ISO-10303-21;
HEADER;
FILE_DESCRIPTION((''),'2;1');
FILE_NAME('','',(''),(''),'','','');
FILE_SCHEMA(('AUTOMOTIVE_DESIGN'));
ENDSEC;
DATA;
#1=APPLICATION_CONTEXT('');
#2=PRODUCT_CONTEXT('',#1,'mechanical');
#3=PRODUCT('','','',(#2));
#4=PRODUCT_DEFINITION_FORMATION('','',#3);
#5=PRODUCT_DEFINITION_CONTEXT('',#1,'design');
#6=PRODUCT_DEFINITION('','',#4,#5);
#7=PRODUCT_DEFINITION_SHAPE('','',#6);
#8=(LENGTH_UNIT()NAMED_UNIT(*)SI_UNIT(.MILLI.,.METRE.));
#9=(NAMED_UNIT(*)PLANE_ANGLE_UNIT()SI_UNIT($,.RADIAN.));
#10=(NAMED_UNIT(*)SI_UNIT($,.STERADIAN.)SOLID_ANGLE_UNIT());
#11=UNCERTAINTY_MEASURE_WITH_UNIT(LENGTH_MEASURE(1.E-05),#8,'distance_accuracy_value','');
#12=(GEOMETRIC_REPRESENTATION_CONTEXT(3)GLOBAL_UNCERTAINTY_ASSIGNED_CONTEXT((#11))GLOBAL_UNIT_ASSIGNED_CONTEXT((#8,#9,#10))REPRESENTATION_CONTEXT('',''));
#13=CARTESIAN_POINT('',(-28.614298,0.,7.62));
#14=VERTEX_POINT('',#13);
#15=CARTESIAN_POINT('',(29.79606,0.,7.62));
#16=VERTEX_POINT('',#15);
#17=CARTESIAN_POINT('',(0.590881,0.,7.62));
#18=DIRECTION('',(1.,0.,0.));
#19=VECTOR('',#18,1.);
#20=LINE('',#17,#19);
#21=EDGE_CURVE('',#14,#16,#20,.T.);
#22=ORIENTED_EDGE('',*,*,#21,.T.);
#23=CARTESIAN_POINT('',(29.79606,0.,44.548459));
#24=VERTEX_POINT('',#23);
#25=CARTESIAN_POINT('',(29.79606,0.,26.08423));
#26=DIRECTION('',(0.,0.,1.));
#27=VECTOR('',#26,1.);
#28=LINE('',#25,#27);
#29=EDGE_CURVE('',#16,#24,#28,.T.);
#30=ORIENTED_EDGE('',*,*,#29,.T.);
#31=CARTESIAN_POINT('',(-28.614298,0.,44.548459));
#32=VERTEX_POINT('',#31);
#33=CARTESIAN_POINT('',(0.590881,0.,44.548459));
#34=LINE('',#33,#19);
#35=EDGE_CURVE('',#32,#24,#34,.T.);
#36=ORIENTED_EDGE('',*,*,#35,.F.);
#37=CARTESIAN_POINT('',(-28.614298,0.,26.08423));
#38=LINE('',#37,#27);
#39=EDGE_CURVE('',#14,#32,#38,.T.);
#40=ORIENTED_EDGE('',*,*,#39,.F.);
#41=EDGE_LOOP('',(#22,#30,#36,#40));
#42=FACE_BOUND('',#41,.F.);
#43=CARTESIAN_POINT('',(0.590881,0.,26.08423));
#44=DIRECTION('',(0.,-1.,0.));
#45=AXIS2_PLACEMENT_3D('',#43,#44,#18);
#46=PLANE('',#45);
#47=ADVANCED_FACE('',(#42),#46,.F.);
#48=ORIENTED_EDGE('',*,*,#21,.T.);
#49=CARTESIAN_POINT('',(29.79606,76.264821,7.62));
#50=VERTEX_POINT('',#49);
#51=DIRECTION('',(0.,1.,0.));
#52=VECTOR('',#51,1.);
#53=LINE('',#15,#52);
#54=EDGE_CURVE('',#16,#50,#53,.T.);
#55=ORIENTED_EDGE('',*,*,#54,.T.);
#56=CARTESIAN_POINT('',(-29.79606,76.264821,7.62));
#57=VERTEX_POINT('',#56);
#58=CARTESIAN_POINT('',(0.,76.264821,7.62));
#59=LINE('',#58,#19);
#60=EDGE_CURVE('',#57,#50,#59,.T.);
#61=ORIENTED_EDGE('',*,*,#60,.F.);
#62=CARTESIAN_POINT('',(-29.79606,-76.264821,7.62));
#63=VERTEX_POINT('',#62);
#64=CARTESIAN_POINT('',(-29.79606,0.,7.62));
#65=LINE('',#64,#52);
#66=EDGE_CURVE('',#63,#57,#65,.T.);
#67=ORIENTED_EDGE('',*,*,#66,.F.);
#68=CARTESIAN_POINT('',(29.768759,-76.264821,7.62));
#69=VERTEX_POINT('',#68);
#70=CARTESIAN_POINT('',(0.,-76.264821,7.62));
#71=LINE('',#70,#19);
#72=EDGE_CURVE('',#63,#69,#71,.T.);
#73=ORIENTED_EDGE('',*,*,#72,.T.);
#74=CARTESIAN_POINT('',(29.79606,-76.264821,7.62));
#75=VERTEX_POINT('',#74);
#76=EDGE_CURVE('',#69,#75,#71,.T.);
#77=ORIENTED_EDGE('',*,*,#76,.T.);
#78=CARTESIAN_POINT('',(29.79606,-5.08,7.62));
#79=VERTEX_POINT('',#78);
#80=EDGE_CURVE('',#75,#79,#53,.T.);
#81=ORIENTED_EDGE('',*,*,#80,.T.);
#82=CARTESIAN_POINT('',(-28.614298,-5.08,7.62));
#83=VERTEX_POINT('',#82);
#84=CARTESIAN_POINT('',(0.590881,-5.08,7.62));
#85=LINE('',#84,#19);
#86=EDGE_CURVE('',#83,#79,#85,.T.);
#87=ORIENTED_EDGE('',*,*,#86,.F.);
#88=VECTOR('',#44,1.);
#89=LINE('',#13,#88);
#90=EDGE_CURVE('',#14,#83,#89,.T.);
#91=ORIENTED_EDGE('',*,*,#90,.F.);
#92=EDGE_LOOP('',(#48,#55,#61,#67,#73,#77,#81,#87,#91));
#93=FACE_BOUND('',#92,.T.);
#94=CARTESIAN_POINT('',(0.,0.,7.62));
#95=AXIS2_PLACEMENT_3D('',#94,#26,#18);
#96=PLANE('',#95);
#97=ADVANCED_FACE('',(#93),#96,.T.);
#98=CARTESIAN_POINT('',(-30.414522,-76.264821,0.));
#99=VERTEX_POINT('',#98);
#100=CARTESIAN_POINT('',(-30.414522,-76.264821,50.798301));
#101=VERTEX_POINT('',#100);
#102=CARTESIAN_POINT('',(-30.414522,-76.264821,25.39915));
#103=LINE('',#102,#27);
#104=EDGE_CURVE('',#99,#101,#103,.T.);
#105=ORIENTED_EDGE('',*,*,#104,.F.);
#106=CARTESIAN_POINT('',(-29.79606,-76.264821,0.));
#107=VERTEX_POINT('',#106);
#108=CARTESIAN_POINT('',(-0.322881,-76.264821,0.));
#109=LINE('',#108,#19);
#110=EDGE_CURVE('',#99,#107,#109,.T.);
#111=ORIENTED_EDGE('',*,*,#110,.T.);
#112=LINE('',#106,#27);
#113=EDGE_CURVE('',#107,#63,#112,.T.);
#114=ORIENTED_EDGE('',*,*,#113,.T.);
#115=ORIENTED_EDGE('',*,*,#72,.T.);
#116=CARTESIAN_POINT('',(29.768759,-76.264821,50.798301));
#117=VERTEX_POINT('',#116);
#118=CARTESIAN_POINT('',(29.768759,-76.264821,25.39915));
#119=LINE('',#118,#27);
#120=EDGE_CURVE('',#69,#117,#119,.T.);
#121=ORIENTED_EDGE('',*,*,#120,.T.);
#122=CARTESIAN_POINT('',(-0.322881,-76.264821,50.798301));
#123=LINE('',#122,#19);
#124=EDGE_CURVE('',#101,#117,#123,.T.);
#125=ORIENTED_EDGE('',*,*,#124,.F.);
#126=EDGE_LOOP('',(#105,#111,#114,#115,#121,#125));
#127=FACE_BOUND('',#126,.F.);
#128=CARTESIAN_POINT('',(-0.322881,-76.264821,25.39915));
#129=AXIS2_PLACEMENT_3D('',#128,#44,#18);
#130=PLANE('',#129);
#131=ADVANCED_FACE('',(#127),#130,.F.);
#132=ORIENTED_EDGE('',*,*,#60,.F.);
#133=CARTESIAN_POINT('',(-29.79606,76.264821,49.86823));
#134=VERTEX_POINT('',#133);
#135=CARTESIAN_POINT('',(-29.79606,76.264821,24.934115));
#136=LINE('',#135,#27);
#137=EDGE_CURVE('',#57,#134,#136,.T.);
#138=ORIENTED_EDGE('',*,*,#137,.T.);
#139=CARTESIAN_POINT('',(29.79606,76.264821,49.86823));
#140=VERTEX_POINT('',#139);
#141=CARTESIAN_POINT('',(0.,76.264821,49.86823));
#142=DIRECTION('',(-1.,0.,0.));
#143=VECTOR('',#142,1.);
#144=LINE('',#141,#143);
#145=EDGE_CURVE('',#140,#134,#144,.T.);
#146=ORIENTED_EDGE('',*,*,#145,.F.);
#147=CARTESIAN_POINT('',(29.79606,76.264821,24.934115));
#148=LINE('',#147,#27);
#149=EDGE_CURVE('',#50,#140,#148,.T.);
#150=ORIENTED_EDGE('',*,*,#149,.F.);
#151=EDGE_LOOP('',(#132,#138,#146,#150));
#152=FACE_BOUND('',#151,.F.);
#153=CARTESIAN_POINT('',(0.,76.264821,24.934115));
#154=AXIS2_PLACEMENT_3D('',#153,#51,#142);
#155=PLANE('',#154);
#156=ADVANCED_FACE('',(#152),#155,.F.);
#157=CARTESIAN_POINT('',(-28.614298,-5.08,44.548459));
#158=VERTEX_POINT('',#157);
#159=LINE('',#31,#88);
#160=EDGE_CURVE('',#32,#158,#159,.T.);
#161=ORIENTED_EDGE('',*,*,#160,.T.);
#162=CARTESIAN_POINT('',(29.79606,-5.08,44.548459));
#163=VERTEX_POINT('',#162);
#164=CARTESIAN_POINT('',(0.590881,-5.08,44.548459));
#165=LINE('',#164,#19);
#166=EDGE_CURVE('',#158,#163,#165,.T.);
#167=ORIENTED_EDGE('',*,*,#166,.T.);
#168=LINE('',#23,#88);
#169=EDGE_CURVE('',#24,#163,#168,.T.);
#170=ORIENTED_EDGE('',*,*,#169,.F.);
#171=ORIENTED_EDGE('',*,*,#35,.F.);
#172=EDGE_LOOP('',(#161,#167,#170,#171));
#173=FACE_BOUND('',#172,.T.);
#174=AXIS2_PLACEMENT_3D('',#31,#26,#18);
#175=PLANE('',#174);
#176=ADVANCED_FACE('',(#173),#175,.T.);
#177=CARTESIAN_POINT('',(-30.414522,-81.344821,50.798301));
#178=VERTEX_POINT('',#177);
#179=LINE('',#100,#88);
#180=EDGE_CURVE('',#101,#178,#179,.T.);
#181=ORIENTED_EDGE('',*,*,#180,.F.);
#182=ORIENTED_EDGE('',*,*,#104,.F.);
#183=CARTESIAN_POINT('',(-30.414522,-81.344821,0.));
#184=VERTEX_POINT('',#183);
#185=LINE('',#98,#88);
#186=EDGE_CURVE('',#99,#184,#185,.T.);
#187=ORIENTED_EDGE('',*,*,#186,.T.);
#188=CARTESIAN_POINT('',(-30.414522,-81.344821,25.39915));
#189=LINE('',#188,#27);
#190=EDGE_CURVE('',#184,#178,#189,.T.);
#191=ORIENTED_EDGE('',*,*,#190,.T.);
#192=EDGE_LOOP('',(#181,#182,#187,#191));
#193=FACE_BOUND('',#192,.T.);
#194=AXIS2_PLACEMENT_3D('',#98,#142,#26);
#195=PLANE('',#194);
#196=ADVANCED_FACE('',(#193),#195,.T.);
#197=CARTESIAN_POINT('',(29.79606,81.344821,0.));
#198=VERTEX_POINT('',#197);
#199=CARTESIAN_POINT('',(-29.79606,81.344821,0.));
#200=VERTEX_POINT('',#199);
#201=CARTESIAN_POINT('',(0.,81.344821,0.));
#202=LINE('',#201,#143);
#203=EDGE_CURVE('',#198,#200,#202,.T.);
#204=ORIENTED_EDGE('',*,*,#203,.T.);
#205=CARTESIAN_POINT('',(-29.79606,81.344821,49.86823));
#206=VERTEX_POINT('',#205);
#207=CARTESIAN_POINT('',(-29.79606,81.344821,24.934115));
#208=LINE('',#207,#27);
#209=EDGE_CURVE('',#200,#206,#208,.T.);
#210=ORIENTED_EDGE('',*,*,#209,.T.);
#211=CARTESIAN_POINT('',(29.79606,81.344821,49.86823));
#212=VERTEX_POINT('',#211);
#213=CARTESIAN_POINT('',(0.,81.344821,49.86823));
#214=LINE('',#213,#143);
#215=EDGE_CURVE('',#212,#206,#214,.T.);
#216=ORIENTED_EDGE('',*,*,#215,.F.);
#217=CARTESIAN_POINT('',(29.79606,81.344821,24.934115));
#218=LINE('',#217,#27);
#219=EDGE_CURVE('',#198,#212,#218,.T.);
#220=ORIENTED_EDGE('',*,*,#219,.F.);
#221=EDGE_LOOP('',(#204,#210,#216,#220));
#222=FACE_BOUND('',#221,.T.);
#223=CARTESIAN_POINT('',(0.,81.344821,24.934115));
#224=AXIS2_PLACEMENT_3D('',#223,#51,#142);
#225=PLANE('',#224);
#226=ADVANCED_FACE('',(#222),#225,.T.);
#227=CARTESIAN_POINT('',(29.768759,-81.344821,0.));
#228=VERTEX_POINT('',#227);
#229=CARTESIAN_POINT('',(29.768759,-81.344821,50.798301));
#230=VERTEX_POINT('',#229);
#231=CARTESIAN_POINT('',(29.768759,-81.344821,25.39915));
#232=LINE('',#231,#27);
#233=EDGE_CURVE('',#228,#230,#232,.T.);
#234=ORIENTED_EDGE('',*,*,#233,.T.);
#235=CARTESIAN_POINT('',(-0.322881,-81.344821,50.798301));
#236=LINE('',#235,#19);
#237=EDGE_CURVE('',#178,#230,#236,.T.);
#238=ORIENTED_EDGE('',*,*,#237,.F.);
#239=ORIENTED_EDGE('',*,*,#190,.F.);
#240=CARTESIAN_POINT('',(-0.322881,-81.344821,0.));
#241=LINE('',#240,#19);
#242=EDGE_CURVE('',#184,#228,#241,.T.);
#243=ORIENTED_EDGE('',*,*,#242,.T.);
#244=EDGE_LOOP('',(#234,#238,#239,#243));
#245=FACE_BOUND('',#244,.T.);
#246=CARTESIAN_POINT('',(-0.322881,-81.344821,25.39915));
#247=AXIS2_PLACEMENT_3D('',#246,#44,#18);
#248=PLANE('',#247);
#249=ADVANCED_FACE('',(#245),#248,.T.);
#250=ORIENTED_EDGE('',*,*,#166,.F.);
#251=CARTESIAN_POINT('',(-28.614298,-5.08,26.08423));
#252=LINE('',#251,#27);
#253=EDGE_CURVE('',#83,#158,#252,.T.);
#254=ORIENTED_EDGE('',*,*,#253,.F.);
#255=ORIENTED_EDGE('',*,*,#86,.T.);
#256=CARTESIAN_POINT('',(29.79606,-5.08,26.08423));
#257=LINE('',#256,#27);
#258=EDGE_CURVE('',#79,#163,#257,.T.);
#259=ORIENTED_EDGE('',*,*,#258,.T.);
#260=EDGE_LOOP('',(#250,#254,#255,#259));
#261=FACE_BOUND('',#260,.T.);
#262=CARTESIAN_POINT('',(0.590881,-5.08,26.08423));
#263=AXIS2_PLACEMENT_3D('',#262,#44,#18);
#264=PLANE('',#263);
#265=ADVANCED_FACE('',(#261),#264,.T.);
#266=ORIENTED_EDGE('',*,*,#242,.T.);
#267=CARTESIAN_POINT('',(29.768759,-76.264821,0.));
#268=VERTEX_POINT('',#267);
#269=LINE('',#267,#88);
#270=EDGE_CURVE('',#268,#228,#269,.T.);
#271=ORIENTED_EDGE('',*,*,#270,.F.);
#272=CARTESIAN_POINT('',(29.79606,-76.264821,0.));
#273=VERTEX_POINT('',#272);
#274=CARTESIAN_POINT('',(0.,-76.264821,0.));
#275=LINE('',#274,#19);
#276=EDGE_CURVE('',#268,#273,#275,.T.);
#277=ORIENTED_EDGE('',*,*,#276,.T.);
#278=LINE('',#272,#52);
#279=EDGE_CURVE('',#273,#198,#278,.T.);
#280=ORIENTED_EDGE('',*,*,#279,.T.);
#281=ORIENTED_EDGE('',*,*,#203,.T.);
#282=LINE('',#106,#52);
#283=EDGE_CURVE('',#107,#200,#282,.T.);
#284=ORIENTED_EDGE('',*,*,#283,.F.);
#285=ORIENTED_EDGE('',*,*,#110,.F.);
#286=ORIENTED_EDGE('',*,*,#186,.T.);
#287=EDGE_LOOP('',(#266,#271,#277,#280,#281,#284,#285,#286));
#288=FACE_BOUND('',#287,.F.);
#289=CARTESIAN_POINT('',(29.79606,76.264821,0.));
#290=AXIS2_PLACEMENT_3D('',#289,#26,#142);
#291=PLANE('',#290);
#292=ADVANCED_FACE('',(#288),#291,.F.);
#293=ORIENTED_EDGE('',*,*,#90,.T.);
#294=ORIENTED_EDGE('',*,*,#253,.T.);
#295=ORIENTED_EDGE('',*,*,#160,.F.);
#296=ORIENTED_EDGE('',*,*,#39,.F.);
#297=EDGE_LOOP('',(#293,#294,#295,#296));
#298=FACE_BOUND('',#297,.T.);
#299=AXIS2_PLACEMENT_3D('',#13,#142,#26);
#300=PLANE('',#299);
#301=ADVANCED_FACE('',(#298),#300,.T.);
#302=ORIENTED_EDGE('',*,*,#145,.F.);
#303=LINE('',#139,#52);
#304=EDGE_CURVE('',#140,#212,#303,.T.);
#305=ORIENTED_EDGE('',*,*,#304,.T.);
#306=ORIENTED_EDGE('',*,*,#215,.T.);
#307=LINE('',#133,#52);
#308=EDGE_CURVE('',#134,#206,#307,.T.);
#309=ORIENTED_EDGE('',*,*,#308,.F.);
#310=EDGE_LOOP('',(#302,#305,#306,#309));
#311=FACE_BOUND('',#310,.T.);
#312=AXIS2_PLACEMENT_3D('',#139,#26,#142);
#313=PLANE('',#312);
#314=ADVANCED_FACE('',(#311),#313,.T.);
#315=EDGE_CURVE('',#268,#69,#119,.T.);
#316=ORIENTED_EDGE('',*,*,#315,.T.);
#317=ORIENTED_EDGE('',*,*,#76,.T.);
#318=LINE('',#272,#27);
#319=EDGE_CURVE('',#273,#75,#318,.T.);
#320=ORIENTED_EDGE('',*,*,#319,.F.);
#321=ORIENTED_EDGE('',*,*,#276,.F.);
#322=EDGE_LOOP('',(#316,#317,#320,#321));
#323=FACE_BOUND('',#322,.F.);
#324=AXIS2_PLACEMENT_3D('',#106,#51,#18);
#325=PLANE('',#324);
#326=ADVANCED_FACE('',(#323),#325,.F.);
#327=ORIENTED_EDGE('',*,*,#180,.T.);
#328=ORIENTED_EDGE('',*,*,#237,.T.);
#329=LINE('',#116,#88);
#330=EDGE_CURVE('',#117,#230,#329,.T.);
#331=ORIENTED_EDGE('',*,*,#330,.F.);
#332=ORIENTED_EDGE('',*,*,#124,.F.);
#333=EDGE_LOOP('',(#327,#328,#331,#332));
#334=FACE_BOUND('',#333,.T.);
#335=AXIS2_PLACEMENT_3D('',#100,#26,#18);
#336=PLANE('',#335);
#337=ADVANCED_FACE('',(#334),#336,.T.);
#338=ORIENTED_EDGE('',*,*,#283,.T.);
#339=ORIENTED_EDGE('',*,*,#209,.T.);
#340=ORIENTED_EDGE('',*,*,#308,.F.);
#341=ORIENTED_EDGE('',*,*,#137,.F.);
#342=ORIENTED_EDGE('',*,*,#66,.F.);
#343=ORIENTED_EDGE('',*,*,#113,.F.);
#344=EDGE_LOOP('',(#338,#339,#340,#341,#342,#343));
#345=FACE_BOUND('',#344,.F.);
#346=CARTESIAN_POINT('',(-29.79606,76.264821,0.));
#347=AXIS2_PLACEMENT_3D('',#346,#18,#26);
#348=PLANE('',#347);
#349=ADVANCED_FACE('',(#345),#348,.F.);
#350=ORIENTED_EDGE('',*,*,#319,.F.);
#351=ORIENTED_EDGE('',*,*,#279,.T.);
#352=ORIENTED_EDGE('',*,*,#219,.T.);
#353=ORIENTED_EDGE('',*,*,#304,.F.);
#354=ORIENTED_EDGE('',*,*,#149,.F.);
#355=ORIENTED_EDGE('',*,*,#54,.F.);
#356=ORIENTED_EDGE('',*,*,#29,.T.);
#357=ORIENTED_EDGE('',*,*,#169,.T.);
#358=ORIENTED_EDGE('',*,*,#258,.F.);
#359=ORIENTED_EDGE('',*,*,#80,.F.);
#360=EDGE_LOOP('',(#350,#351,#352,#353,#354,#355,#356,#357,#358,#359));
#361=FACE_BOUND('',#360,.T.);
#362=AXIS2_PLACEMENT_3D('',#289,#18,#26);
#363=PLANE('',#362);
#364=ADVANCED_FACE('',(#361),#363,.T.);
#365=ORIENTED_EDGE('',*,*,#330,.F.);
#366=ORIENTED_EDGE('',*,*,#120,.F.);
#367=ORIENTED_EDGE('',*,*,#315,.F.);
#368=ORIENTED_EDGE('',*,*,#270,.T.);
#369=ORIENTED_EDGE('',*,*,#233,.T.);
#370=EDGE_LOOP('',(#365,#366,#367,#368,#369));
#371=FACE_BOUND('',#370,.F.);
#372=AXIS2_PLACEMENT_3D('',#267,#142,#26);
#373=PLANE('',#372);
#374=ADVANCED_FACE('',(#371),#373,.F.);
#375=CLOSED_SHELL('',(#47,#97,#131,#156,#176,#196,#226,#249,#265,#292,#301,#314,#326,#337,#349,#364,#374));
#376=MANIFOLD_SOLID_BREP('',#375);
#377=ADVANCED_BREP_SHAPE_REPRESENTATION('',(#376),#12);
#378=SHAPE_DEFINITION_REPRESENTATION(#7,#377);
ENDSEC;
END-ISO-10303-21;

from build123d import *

# Parameters (mm, degrees)
F0_W     = 59.5921203494
F0_H     = 152.5296419859
F1_DEPTH = 7.62
F3_W     = 60.1832810789
F3_H     = 50.7983006537
F4_DEPTH = 5.08
F5_W     = 58.4103576839
F5_H     = 36.9284590706
F6_DEPTH = 5.08
F7_W     = 59.5921203494
F7_H     = 49.8682297766
F8_DEPTH = 5.08


with BuildPart() as f1:
    # F0 (on Top) → F1 (new body)
    with BuildSketch(Plane.XY):
        Rectangle(F0_W, F0_H)
    extrude(amount=F1_DEPTH)

    # F3 (on offset) → F4 (join)
    with BuildSketch(Plane.XZ.offset(76.2648209929)):
        with Locations((-0.3228811547, 25.3991503268)):
            Rectangle(F3_W, F3_H)
    extrude(amount=F4_DEPTH)

    # F5 (on Front) → F6 (join)
    with BuildSketch(Plane.XZ):
        with Locations((0.5908813328, 26.0842295353)):
            Rectangle(F5_W, F5_H)
    extrude(amount=F6_DEPTH)

    # F7 (on face) → F8 (join)
    with BuildSketch(Plane(origin=(0, 76.2648209929, 0), x_dir=(-1, 0, 0), z_dir=(0, 1, 0))):
        with Locations((0, 24.9341148883)):
            Rectangle(F7_W, F7_H)
    extrude(amount=F8_DEPTH)


solid = f1.part
